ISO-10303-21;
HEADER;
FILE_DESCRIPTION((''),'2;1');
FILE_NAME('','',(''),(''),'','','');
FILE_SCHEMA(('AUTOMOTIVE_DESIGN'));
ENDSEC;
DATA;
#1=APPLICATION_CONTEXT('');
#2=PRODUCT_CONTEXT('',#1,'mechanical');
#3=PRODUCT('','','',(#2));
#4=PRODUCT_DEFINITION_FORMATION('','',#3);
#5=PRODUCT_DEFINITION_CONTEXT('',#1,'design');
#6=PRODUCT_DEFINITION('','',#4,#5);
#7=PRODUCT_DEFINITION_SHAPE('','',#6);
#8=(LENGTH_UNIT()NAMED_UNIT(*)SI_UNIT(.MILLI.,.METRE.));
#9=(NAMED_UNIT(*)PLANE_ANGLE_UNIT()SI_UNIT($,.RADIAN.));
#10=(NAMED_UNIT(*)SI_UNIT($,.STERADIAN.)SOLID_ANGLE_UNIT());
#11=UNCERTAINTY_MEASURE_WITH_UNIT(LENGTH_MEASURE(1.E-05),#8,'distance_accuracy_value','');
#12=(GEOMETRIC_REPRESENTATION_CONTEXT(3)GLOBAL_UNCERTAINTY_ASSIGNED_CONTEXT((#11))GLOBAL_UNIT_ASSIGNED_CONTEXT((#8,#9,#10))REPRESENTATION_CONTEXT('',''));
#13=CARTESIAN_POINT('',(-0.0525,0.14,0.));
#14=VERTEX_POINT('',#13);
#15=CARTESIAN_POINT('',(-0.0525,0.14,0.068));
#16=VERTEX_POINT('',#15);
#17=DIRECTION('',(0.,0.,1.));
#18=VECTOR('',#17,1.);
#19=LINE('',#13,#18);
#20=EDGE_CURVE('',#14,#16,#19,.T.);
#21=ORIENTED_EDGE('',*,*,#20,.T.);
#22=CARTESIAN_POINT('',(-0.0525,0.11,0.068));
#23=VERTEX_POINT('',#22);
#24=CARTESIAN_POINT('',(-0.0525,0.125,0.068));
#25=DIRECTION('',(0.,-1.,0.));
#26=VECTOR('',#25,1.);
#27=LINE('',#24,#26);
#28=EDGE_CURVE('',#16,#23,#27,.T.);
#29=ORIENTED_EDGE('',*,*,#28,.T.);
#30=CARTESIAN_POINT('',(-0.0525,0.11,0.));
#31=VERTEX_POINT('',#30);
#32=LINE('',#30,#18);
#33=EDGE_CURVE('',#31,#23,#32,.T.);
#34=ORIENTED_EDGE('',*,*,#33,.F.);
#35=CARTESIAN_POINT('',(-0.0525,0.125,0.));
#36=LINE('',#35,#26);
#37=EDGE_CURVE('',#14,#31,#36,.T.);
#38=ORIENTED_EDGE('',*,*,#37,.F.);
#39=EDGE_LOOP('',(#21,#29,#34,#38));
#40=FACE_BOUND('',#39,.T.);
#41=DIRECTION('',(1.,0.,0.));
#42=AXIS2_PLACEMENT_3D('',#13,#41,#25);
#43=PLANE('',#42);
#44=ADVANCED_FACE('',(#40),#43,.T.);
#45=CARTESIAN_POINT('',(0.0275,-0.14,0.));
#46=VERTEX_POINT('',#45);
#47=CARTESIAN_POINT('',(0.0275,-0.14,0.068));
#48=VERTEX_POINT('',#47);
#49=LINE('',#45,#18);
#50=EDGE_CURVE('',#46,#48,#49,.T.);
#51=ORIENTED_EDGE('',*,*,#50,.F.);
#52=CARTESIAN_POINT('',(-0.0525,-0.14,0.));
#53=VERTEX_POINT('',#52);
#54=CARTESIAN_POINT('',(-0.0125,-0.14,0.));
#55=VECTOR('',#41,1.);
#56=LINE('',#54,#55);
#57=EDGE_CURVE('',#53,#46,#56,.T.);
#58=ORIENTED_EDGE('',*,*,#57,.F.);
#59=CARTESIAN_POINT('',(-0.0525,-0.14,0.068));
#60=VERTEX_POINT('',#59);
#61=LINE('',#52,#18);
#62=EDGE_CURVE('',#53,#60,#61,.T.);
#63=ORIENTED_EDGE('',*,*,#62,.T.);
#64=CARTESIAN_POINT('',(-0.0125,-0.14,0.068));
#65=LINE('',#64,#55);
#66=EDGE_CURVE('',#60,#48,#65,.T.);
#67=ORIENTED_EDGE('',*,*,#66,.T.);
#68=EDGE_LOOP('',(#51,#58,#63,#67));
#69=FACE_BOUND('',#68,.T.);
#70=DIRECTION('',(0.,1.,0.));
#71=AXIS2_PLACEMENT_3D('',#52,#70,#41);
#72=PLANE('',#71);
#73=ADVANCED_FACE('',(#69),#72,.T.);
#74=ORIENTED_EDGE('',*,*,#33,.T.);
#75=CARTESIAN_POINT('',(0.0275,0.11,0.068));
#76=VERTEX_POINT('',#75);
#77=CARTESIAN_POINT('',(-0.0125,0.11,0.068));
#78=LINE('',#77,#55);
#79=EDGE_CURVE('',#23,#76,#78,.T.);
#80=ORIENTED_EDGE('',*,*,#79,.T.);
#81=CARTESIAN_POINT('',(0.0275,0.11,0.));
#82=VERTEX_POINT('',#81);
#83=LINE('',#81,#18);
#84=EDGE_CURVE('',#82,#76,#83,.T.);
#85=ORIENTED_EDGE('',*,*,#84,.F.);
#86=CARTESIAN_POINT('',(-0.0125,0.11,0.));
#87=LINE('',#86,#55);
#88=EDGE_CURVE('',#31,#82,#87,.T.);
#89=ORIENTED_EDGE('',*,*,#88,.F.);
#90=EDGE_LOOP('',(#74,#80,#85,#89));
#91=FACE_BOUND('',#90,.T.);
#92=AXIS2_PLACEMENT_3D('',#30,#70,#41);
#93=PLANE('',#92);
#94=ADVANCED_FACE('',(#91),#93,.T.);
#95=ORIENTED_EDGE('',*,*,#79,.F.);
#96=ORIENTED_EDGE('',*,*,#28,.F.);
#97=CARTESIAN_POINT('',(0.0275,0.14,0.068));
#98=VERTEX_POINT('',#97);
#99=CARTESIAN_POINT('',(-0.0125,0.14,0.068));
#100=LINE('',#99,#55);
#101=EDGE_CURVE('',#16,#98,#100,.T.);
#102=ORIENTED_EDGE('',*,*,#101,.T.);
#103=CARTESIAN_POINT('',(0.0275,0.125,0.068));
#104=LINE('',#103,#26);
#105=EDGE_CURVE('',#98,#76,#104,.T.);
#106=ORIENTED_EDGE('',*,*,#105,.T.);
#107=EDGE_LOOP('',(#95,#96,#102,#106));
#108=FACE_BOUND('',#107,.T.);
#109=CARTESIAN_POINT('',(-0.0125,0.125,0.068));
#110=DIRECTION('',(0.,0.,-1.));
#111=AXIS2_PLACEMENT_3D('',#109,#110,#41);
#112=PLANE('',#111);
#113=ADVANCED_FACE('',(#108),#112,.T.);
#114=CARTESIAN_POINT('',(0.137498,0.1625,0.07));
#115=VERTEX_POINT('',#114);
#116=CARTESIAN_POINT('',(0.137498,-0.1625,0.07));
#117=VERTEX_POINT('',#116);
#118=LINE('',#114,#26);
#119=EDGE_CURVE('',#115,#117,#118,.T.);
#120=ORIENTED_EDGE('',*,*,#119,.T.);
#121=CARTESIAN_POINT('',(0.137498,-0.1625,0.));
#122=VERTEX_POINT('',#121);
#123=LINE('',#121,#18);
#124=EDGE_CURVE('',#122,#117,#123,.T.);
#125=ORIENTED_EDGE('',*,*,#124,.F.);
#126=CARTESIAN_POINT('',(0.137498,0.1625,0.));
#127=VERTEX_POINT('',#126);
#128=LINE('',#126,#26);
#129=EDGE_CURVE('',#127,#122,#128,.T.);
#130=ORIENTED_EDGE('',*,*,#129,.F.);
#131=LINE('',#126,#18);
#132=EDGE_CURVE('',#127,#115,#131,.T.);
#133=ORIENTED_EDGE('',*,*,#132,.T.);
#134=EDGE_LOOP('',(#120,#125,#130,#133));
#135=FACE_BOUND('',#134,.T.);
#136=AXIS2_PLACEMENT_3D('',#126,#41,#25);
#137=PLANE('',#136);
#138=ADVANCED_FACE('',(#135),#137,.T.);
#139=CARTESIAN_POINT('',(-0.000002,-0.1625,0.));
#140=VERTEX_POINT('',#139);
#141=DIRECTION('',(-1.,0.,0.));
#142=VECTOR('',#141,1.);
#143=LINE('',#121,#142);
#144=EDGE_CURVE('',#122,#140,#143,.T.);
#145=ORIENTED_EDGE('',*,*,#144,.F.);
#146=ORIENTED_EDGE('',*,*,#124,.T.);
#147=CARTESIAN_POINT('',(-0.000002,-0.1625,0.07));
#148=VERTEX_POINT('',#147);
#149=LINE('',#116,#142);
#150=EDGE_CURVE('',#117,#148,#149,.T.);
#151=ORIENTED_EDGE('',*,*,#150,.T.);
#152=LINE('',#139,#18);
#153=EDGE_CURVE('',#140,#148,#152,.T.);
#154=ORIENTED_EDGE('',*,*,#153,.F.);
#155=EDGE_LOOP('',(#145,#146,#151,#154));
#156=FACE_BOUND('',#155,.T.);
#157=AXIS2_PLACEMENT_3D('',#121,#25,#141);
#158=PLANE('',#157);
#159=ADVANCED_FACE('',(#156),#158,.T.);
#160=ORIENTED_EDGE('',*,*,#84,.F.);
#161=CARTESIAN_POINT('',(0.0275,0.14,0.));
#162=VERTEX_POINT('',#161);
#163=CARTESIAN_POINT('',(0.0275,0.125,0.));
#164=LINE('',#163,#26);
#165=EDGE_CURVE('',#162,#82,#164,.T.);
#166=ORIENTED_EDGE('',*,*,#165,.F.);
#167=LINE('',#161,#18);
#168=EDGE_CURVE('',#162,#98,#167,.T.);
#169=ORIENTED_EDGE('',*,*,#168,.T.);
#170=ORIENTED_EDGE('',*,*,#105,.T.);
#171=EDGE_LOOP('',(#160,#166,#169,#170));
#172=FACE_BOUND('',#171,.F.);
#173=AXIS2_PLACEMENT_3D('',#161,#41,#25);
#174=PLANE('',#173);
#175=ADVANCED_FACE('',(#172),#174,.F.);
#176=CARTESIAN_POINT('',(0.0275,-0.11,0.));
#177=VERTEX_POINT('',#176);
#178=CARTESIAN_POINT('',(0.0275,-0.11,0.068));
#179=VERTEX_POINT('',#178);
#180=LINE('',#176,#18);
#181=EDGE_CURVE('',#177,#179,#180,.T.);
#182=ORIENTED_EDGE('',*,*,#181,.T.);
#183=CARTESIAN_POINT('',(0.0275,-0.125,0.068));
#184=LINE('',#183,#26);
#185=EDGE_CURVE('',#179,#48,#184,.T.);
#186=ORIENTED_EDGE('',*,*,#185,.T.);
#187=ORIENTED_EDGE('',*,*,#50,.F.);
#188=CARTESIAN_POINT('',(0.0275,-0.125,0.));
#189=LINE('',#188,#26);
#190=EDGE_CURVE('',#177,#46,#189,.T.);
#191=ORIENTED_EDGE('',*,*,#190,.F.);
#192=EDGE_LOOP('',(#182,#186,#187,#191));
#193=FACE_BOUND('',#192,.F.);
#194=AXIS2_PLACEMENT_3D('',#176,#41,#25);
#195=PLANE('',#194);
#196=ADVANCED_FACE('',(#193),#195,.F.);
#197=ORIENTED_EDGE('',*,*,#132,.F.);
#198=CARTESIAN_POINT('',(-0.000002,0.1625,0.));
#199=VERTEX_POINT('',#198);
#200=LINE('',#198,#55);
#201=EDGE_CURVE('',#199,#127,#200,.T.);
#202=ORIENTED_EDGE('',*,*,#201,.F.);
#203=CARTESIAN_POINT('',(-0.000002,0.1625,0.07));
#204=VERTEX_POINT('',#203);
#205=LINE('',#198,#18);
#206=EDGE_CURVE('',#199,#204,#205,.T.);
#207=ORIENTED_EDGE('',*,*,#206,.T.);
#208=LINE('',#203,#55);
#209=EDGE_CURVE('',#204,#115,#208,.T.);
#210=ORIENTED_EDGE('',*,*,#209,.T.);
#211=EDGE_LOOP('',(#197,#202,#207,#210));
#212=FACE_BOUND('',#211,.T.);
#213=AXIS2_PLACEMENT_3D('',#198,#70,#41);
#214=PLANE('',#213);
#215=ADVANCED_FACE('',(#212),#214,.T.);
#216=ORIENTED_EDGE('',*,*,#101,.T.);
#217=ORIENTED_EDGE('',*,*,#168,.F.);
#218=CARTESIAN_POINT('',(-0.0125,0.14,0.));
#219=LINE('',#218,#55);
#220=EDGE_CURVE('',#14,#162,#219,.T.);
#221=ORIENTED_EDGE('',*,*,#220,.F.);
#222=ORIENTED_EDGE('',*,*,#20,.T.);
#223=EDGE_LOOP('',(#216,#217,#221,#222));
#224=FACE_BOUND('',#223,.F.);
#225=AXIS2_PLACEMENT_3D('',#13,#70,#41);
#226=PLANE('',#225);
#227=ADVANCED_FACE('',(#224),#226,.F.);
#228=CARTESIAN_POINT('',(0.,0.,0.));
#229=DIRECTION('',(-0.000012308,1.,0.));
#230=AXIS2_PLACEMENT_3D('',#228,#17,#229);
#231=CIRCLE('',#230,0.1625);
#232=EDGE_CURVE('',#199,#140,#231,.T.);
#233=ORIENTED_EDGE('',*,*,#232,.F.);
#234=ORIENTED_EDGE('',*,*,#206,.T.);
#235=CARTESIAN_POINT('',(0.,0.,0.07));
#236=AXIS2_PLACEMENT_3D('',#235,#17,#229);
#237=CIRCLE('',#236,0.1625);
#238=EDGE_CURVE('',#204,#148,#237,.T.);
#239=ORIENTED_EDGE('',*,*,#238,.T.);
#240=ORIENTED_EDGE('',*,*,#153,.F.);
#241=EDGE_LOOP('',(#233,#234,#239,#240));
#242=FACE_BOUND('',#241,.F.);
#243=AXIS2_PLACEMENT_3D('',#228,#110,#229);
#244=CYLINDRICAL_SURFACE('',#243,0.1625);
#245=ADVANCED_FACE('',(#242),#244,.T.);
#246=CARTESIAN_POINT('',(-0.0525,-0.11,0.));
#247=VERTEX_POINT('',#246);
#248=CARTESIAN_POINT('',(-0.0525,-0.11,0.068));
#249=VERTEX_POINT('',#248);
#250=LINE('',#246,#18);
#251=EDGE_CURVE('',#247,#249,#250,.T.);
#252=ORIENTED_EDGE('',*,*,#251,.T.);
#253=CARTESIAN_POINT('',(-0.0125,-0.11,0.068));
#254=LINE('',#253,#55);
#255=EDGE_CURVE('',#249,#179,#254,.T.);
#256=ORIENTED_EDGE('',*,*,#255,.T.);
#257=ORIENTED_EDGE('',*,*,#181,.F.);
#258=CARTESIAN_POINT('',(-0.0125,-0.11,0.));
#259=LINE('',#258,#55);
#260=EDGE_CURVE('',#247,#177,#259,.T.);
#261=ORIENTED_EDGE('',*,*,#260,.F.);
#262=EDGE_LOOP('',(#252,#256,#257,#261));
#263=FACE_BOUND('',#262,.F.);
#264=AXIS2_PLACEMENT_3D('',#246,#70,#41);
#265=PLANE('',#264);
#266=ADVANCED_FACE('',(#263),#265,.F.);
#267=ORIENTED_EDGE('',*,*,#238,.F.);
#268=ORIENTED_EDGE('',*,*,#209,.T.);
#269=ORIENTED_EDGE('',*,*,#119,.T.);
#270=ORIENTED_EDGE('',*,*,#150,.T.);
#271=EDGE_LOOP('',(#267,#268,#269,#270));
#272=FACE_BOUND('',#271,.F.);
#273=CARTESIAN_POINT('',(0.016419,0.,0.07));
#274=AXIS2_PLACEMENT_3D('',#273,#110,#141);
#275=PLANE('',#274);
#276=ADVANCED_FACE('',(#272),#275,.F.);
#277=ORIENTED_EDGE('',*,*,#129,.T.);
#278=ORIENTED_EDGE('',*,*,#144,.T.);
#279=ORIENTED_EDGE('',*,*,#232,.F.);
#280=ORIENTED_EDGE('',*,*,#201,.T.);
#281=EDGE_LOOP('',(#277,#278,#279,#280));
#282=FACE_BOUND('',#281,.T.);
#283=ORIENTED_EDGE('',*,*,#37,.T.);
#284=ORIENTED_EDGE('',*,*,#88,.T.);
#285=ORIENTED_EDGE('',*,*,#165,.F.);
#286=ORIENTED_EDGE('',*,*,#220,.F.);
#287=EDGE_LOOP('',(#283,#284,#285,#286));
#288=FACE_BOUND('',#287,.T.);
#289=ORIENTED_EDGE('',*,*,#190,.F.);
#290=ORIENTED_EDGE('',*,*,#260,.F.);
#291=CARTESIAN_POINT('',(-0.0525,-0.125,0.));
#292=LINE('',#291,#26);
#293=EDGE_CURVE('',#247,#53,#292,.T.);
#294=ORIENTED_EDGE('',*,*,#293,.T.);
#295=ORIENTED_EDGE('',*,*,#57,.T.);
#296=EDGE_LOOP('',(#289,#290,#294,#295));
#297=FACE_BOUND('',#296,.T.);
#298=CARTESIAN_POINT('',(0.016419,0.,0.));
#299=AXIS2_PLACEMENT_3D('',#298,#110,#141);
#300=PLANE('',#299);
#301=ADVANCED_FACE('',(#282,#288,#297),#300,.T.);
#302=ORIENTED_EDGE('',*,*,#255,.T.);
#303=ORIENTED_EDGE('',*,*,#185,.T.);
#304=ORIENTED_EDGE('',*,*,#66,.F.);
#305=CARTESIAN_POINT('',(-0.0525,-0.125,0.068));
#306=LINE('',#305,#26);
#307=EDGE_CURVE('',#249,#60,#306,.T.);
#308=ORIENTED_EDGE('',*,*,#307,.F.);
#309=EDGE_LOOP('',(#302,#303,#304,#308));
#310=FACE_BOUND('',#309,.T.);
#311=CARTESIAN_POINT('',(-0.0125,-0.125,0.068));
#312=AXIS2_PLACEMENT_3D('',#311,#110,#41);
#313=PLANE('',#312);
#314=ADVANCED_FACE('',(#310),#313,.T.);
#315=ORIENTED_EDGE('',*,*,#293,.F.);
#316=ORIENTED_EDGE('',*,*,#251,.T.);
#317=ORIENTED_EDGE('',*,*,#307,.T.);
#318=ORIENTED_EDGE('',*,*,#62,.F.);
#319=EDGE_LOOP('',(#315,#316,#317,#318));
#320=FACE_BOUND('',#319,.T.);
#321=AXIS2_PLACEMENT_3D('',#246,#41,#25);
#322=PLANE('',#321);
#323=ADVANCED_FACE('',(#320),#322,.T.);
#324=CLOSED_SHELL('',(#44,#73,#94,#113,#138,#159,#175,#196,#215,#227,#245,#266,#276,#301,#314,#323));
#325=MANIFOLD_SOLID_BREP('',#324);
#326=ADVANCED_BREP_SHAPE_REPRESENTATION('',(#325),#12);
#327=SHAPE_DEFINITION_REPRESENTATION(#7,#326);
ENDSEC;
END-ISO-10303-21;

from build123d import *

# Parameters (mm, degrees)
PAD_DEPTH    = 0.07
SKETCH001_W  = 0.08
SKETCH001_H  = 0.03
POCKET_DEPTH = 0.068


with BuildPart() as part:
    # Sketch → Pad (new body)
    with BuildSketch(Plane.XY):
        with BuildLine():
            Line((-2e-06, 0.1625), (0.137498, 0.1625))
            Line((0.137498, 0.1625), (0.137498, -0.1625))
            Line((0.137498, -0.1625), (-2e-06, -0.1625))
            ThreePointArc((-2e-06, 0.1625), (-0.1625, 0), (-2e-06, -0.1625))
        make_face()
    extrude(amount=PAD_DEPTH)

    # Sketch001 → Pocket (cut)
    with BuildSketch(Plane(origin=(0, 0, 0), x_dir=(1, 0, 0), z_dir=(0, 0, -1))):
        with Locations((-0.0125, 0.125)):
            Rectangle(SKETCH001_W, SKETCH001_H)
        with Locations((-0.0125, -0.125)):
            Rectangle(SKETCH001_W, SKETCH001_H)
    extrude(amount=-POCKET_DEPTH, mode=Mode.SUBTRACT)


solid = part.part
